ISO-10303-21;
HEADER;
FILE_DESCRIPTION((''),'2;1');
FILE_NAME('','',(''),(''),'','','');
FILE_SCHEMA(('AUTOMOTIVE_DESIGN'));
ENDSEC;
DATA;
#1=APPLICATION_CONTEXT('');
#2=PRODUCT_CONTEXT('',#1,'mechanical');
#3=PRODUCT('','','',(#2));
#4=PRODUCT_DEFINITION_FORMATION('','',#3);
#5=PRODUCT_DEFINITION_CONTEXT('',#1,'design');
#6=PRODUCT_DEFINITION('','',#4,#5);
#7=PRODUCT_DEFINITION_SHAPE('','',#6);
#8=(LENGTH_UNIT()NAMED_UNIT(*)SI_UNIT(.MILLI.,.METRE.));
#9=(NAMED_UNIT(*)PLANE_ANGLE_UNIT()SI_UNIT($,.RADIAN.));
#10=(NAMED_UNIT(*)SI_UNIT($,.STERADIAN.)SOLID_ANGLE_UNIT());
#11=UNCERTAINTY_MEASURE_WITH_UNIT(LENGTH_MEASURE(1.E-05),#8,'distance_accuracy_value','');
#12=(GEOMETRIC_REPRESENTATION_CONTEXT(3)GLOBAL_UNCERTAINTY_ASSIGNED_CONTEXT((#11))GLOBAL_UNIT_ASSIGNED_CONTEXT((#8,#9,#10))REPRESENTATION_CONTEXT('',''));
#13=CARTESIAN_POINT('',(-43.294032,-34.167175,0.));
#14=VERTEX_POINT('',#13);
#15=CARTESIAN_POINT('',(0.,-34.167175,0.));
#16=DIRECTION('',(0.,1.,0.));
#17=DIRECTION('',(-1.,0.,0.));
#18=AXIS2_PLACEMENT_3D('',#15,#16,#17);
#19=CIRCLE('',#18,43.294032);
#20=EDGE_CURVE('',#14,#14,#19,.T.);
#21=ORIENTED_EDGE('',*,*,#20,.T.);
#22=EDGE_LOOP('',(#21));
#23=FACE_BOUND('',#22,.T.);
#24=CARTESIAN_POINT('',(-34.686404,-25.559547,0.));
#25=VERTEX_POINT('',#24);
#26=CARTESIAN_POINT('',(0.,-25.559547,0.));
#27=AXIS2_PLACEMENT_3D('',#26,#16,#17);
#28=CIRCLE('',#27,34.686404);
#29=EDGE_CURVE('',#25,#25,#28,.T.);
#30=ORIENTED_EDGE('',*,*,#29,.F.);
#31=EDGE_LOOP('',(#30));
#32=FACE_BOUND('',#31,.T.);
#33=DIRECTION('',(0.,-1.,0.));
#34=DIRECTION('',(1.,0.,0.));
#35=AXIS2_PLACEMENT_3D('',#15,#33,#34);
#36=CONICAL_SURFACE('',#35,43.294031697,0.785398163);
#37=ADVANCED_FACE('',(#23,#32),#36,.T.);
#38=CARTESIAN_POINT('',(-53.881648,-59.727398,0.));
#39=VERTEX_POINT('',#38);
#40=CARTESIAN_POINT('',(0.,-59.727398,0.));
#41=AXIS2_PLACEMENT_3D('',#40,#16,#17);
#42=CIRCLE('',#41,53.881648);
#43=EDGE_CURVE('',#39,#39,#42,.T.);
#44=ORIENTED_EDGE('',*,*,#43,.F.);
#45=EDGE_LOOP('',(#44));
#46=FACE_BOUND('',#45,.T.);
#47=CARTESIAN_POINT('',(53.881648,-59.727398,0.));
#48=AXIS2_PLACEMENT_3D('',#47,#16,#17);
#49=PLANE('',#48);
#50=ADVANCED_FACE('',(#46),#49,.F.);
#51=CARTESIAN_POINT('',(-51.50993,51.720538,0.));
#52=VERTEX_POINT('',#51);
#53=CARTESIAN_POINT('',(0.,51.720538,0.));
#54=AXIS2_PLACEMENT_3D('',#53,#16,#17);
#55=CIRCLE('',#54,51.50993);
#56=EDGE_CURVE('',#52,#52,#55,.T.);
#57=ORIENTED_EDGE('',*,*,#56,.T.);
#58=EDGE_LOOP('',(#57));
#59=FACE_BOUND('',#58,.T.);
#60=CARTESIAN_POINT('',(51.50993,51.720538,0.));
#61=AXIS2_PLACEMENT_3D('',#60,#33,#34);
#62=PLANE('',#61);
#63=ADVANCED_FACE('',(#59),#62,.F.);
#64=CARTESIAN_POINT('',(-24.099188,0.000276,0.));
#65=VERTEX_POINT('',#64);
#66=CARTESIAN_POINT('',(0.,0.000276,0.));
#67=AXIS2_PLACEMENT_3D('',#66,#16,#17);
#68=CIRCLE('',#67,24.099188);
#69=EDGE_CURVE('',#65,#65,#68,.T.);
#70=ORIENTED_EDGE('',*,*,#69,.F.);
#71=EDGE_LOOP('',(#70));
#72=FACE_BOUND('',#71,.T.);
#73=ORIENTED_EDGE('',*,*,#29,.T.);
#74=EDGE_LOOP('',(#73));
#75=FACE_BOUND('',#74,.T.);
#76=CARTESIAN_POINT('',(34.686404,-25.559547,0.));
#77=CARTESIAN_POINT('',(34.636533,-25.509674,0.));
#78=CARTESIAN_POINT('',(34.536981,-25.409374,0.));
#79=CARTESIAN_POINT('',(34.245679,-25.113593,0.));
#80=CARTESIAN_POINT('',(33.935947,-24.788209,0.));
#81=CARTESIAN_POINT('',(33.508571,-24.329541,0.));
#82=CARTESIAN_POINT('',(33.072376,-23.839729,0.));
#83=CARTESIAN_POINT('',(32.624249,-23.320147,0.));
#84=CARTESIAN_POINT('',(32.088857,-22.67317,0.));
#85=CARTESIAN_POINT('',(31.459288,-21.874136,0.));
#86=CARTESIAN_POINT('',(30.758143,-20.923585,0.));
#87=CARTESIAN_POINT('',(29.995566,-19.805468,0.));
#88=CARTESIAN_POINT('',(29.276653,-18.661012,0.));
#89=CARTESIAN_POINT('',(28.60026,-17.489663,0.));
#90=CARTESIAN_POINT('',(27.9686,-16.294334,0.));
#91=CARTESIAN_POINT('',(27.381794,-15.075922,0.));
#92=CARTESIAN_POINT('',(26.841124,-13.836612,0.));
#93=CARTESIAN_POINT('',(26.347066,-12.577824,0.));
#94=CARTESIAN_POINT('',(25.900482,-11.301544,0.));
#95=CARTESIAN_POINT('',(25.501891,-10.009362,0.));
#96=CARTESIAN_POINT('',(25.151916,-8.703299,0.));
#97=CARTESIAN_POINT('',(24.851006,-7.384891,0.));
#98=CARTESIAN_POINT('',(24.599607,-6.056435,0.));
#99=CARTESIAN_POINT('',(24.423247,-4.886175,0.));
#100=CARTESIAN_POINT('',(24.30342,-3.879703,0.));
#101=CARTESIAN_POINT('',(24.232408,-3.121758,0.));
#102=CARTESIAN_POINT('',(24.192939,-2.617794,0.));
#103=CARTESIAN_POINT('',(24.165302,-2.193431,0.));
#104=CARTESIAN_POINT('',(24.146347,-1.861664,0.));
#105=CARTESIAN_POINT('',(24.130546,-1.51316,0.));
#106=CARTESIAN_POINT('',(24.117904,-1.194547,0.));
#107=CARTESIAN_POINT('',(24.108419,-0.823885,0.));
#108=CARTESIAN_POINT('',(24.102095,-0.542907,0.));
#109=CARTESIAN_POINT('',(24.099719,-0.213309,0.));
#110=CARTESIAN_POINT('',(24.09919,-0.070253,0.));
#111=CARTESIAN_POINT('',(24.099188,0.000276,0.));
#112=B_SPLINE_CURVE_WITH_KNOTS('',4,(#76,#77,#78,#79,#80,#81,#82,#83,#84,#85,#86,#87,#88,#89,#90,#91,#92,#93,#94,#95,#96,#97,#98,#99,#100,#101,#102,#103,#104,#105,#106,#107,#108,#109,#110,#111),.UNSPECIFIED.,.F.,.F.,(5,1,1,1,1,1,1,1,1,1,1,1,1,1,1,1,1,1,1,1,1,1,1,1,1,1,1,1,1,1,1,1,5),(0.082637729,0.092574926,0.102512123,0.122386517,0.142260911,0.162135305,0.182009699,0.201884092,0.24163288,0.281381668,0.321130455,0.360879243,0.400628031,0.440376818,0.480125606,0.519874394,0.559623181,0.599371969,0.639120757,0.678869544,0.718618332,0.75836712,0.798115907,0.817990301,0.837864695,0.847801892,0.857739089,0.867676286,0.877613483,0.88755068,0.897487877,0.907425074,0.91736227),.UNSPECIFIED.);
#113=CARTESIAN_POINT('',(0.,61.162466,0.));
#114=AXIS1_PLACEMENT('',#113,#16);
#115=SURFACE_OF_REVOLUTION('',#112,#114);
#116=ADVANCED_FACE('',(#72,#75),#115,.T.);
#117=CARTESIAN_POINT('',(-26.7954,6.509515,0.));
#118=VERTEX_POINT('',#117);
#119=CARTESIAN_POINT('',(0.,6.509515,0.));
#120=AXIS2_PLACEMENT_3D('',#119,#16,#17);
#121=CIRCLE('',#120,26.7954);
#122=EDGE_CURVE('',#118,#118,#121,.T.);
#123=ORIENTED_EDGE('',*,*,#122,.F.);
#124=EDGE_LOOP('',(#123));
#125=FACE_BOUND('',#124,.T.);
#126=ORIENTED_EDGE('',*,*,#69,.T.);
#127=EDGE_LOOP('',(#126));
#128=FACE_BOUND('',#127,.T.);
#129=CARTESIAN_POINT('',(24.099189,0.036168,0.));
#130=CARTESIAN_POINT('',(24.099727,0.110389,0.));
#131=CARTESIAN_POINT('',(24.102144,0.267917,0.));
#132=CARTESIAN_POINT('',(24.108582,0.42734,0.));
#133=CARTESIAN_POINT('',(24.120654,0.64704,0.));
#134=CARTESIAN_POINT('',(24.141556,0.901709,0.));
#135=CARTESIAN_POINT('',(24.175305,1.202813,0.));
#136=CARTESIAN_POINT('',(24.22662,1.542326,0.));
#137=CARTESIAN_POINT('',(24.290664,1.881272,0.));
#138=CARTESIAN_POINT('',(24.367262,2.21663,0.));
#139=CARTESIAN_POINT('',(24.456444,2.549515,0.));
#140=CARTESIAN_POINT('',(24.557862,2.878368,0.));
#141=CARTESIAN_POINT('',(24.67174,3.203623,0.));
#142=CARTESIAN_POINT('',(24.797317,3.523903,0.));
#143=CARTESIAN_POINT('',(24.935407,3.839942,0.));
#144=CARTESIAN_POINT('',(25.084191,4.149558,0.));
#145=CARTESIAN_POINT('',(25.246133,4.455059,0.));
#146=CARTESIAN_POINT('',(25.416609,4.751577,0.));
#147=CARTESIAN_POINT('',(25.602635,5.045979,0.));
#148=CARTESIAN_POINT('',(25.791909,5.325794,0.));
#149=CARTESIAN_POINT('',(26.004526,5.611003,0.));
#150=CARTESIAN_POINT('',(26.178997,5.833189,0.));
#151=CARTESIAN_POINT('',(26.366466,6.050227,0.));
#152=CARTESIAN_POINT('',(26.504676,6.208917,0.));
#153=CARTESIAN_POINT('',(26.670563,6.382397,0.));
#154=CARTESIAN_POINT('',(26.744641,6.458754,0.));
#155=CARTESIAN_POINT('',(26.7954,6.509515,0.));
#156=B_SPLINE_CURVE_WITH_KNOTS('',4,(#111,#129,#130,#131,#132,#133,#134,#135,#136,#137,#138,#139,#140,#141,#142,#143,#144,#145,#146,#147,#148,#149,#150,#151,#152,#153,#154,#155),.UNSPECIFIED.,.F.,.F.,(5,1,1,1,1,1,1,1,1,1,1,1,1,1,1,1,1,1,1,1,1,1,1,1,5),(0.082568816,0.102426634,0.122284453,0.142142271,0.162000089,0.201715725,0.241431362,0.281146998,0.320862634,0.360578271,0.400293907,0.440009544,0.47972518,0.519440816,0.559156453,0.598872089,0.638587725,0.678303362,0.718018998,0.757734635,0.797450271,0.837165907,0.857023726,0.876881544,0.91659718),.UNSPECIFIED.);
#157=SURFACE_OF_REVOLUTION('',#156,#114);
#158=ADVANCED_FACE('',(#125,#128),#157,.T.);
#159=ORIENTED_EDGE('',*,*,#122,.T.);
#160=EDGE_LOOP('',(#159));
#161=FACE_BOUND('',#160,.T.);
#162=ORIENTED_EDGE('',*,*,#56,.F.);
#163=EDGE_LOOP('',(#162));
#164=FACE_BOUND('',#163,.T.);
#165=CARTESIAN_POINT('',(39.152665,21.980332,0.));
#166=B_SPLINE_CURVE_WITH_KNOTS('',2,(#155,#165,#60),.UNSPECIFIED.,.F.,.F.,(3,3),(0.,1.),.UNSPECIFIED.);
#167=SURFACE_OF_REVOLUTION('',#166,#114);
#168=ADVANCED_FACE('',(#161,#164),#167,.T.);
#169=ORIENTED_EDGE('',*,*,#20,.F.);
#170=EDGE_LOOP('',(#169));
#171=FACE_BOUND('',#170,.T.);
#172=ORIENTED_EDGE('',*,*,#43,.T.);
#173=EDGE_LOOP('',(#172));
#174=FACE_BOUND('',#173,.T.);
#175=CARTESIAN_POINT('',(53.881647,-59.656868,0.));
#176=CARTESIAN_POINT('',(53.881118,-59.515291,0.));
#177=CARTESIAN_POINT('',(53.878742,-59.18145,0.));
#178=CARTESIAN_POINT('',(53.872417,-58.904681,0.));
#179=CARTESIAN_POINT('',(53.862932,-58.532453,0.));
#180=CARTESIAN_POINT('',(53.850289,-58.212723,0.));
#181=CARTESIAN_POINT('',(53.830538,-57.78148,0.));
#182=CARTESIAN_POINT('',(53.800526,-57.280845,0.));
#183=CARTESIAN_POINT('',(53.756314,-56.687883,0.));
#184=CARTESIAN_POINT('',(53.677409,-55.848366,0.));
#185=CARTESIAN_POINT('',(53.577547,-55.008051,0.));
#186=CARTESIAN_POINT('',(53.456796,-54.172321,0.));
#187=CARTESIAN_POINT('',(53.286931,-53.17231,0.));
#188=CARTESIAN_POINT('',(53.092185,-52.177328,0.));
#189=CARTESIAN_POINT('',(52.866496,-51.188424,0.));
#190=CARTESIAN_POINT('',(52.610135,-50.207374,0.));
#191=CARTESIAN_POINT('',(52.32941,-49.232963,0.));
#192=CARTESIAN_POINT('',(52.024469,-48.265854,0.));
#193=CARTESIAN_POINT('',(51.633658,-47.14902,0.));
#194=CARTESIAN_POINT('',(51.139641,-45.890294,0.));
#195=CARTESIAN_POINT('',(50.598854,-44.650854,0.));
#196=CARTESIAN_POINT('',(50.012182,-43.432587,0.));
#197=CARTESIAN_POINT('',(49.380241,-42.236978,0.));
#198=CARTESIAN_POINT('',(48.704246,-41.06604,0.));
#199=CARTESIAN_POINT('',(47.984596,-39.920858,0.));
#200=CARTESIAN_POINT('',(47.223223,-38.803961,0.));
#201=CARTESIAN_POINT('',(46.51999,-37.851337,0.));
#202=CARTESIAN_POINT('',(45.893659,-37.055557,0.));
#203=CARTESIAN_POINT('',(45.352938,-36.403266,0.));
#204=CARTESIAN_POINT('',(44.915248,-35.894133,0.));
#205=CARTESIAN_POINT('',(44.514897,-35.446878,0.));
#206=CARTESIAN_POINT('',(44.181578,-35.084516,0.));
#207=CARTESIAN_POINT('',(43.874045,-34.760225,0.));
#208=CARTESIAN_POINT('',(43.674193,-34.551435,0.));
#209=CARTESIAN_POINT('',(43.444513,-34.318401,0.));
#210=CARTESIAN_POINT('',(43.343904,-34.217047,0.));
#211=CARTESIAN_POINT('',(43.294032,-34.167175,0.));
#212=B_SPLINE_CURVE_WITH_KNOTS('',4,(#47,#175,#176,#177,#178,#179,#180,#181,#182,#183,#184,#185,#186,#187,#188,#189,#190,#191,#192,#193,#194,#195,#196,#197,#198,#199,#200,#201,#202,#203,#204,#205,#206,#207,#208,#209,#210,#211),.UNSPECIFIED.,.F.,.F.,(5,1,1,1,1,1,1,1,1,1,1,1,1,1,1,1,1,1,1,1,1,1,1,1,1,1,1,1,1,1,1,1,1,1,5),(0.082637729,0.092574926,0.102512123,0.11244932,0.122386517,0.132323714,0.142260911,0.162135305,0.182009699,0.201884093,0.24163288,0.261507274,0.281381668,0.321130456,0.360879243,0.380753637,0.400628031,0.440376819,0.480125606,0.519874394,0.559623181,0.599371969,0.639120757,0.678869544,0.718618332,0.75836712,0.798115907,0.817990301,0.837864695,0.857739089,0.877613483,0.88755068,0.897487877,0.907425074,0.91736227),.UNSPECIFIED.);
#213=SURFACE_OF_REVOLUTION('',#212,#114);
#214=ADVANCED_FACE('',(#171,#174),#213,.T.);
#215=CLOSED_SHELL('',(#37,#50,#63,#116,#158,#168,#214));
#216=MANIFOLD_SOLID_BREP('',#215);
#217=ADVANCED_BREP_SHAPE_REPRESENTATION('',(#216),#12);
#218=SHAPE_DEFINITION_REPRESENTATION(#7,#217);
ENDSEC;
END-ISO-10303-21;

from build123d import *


with BuildPart() as part:
    # Sketch1 → Revolve1 (revolve)
    with BuildSketch(Plane.XY, mode=Mode.PRIVATE) as revolve1_sk:
        with BuildLine():
            Line((53.881648239, -59.727398382), (0, -59.727398382))
            Line((0, -59.727398382), (0, 51.720538141))
            Line((0, 51.720538141), (51.50993, 51.720538141))
            add(Edge.make_bspline(
                [(26.7953998, 6.509515166), (39.1526649, 21.980332275), (51.50993, 51.720538141)],
                knots=[0, 0, 0, 1, 1, 1], degree=2))
            add(Edge.make_bspline(
                [(24.099188471, 0.000275515), (24.099189098, 0.036168168), (24.099726929, 0.110389205), (24.10214432, 0.267916585), (24.108582165, 0.427339632), (24.120654196, 0.647039782), (24.141555684, 0.901708843), (24.175305316, 1.202812788), (24.226619903, 1.542326013), (24.290664299, 1.881272292), (24.367262199, 2.216629935), (24.456444169, 2.549514936), (24.55786201, 2.87836816), (24.671739668, 3.203622556), (24.797317368, 3.523902673), (24.935406574, 3.839942248), (25.084190898, 4.1495577), (25.24613282, 4.455058638), (25.416609102, 4.751577091), (25.602635318, 5.045979377), (25.791908867, 5.325794451), (26.004526072, 5.611003058), (26.178996971, 5.833189163), (26.366466353, 6.050227152), (26.504675845, 6.208917162), (26.670562667, 6.382397294), (26.744640858, 6.458754357), (26.7953998, 6.509515166)],
                knots=[0.082568816, 0.082568816, 0.082568816, 0.082568816, 0.082568816, 0.102426634, 0.122284453, 0.142142271, 0.162000089, 0.201715725, 0.241431362, 0.281146998, 0.320862634, 0.360578271, 0.400293907, 0.440009544, 0.47972518, 0.519440816, 0.559156453, 0.598872089, 0.638587725, 0.678303362, 0.718018998, 0.757734635, 0.797450271, 0.837165907, 0.857023726, 0.876881544, 0.91659718, 0.91659718, 0.91659718, 0.91659718, 0.91659718], degree=4))
            add(Edge.make_bspline(
                [(24.099188471, 0.000275515), (24.099189702, -0.070253128), (24.09971885, -0.213308671), (24.102094536, -0.542907397), (24.108418931, -0.823884877), (24.117904054, -1.194546552), (24.130546348, -1.513159539), (24.146346573, -1.861664084), (24.165301833, -2.193431352), (24.192939448, -2.61779388), (24.232407657, -3.121758427), (24.30342032, -3.879703155), (24.423247294, -4.886174868), (24.599606665, -6.05643524), (24.851005859, -7.384890894), (25.151915945, -8.703298994), (25.50189126, -10.009361687), (25.900481625, -11.301544074), (26.347066039, -12.577823812), (26.841123975, -13.83661196), (27.381793779, -15.075921604), (27.968600048, -16.294334268), (28.600260064, -17.489663267), (29.276653067, -18.661012229), (29.995565778, -19.805467867), (30.75814268, -20.923584544), (31.459287877, -21.874136229), (32.08885681, -22.673169948), (32.624249106, -23.320146605), (33.07237646, -23.839729482), (33.50857072, -24.329540711), (33.935946817, -24.788208854), (34.245679337, -25.113592774), (34.536980656, -25.40937351), (34.636533124, -25.509674395), (34.686403502, -25.55954658)],
                knots=[0.082637729, 0.082637729, 0.082637729, 0.082637729, 0.082637729, 0.092574926, 0.102512123, 0.11244932, 0.122386517, 0.132323714, 0.142260911, 0.152198108, 0.162135305, 0.182009699, 0.201884093, 0.24163288, 0.281381668, 0.321130456, 0.360879243, 0.400628031, 0.440376819, 0.480125606, 0.519874394, 0.559623181, 0.599371969, 0.639120757, 0.678869544, 0.718618332, 0.75836712, 0.798115907, 0.817990301, 0.837864695, 0.857739089, 0.877613483, 0.897487877, 0.907425074, 0.91736227, 0.91736227, 0.91736227, 0.91736227, 0.91736227], degree=4))
            Line((34.686403502, -25.55954658), (43.294031702, -34.167174779))
            add(Edge.make_bspline(
                [(53.881648239, -59.727398382), (53.881647008, -59.656868328), (53.881117865, -59.515291274), (53.878742017, -59.181449787), (53.872417419, -58.904680664), (53.862931934, -58.532452659), (53.850289038, -58.212722793), (53.830538212, -57.781479613), (53.800525874, -57.28084507), (53.756313714, -56.687883336), (53.677409048, -55.848365536), (53.577547462, -55.00805103), (53.456796391, -54.172320599), (53.286931432, -53.172310408), (53.092184802, -52.177327988), (52.86649574, -51.188424249), (52.610134849, -50.207374203), (52.32940997, -49.232962903), (52.024469374, -48.265854385), (51.633658471, -47.149020227), (51.139641007, -45.890293563), (50.598854405, -44.650853958), (50.012181586, -43.432586677), (49.380240895, -42.236978387), (48.704245899, -41.066040024), (47.984596196, -39.920857799), (47.22322282, -38.803961377), (46.519989747, -37.851336919), (45.893658628, -37.055557253), (45.352938374, -36.40326641), (44.915247645, -35.894132759), (44.514896888, -35.446877781), (44.181578203, -35.084516308), (43.874045326, -34.760225272), (43.67419311, -34.551434571), (43.444512777, -34.318401406), (43.343903856, -34.217047173), (43.294031702, -34.167174779)],
                knots=[0.082637729, 0.082637729, 0.082637729, 0.082637729, 0.082637729, 0.092574926, 0.102512123, 0.11244932, 0.122386517, 0.132323714, 0.142260911, 0.162135305, 0.182009699, 0.201884093, 0.24163288, 0.261507274, 0.281381668, 0.321130456, 0.360879243, 0.380753637, 0.400628031, 0.440376819, 0.480125606, 0.519874394, 0.559623181, 0.599371969, 0.639120757, 0.678869544, 0.718618332, 0.75836712, 0.798115907, 0.817990301, 0.837864695, 0.857739089, 0.877613483, 0.88755068, 0.897487877, 0.907425074, 0.91736227, 0.91736227, 0.91736227, 0.91736227, 0.91736227], degree=4))
        make_face()
    revolve(revolve1_sk.sketch.rotate(Axis((0, 61.162466261, 0), (0, -1, 0)), 180), axis=Axis((0, 61.162466261, 0), (0, -1, 0)))


solid = part.part
